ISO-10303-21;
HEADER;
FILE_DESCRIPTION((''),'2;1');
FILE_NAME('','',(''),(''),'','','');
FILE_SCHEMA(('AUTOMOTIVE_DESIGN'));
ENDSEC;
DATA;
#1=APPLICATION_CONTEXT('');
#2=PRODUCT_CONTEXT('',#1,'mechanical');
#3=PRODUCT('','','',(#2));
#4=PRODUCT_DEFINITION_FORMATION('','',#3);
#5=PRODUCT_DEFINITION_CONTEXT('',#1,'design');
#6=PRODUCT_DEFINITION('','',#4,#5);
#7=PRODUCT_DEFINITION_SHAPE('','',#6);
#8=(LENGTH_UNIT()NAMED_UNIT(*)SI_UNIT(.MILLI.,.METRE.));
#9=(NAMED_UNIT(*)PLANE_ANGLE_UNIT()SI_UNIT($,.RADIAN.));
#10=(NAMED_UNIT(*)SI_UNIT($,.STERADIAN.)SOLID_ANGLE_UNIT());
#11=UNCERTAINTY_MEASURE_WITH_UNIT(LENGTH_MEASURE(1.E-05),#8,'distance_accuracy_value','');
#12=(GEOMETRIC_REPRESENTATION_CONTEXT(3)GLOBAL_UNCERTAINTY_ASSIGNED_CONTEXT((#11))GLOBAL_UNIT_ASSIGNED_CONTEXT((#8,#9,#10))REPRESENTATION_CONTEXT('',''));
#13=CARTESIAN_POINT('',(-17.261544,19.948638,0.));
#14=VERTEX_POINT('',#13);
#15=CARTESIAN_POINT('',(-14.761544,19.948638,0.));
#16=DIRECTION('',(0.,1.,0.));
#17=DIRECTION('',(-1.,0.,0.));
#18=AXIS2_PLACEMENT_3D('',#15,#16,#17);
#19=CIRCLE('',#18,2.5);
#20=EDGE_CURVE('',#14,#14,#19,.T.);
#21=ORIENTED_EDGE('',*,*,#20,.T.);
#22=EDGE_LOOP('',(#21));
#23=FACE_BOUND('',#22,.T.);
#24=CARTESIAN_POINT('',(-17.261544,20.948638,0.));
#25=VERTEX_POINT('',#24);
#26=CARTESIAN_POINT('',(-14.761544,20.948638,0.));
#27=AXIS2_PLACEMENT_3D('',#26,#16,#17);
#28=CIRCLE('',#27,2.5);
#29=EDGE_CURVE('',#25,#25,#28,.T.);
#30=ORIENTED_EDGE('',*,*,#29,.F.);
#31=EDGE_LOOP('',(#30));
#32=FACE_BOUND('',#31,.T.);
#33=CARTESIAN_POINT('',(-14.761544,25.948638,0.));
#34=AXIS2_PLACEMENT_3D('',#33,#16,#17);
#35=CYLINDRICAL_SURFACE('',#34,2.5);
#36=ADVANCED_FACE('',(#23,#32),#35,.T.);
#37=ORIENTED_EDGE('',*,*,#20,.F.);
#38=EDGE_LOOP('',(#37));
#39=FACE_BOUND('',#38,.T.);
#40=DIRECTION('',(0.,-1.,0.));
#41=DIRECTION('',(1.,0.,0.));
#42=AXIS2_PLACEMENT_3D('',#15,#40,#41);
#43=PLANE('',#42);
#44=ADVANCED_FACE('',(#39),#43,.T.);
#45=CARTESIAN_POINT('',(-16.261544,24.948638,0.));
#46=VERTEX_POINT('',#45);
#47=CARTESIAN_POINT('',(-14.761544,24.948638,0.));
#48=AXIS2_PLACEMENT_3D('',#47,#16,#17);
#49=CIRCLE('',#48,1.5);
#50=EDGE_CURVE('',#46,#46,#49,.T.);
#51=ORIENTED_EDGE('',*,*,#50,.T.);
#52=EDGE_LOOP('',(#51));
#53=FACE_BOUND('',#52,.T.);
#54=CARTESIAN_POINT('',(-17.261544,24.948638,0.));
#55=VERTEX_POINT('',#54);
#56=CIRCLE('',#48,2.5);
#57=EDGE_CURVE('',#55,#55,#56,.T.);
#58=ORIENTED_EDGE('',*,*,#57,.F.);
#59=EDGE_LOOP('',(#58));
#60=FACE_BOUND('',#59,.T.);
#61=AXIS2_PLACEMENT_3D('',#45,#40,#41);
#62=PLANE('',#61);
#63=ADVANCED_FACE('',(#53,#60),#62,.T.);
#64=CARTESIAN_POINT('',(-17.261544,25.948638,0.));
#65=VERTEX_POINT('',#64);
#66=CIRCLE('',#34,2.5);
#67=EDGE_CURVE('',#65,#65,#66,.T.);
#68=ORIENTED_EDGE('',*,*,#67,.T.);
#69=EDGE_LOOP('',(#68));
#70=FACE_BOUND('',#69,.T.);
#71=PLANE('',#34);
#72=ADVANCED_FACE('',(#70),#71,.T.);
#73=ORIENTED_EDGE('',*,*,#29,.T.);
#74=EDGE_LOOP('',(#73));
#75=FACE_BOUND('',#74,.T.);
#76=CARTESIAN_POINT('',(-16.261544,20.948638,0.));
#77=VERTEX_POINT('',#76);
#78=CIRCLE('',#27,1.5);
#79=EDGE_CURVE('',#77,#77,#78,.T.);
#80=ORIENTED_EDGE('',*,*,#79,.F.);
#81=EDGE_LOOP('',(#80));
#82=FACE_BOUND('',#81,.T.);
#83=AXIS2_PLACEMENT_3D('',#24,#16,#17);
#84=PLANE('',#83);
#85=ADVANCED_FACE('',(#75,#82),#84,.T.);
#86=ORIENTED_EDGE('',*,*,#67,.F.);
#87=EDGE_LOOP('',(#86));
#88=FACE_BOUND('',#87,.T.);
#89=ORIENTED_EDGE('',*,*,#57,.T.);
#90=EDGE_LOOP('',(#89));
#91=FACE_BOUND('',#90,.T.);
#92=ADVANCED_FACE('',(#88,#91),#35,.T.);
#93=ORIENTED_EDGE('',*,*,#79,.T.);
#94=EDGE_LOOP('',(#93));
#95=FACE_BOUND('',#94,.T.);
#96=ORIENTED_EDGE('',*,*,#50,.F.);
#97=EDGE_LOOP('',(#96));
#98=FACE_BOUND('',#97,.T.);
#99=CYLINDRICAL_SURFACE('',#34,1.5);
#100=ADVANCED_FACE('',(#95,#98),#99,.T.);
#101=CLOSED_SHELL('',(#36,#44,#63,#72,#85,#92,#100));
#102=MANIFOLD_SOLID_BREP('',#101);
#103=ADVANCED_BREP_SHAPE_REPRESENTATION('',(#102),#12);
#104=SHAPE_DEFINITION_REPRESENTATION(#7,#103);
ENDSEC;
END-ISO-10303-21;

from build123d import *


with BuildPart() as part:
    # Sketch1 → Revolve1 (revolve)
    with BuildSketch(Plane.XY):
        Polygon((-14.761543591, 25.948638362), (-17.261543591, 25.948638362), (-17.261543591, 24.948638362), (-16.261543591, 24.948638362), (-16.261543591, 20.948638362), (-17.261543591, 20.948638362), (-17.261543591, 19.948638362), (-14.761543591, 19.948638362), align=None)
    revolve(axis=Axis((-14.761543591, 25.948638362, 0), (0, -1, 0)))


solid = part.part
